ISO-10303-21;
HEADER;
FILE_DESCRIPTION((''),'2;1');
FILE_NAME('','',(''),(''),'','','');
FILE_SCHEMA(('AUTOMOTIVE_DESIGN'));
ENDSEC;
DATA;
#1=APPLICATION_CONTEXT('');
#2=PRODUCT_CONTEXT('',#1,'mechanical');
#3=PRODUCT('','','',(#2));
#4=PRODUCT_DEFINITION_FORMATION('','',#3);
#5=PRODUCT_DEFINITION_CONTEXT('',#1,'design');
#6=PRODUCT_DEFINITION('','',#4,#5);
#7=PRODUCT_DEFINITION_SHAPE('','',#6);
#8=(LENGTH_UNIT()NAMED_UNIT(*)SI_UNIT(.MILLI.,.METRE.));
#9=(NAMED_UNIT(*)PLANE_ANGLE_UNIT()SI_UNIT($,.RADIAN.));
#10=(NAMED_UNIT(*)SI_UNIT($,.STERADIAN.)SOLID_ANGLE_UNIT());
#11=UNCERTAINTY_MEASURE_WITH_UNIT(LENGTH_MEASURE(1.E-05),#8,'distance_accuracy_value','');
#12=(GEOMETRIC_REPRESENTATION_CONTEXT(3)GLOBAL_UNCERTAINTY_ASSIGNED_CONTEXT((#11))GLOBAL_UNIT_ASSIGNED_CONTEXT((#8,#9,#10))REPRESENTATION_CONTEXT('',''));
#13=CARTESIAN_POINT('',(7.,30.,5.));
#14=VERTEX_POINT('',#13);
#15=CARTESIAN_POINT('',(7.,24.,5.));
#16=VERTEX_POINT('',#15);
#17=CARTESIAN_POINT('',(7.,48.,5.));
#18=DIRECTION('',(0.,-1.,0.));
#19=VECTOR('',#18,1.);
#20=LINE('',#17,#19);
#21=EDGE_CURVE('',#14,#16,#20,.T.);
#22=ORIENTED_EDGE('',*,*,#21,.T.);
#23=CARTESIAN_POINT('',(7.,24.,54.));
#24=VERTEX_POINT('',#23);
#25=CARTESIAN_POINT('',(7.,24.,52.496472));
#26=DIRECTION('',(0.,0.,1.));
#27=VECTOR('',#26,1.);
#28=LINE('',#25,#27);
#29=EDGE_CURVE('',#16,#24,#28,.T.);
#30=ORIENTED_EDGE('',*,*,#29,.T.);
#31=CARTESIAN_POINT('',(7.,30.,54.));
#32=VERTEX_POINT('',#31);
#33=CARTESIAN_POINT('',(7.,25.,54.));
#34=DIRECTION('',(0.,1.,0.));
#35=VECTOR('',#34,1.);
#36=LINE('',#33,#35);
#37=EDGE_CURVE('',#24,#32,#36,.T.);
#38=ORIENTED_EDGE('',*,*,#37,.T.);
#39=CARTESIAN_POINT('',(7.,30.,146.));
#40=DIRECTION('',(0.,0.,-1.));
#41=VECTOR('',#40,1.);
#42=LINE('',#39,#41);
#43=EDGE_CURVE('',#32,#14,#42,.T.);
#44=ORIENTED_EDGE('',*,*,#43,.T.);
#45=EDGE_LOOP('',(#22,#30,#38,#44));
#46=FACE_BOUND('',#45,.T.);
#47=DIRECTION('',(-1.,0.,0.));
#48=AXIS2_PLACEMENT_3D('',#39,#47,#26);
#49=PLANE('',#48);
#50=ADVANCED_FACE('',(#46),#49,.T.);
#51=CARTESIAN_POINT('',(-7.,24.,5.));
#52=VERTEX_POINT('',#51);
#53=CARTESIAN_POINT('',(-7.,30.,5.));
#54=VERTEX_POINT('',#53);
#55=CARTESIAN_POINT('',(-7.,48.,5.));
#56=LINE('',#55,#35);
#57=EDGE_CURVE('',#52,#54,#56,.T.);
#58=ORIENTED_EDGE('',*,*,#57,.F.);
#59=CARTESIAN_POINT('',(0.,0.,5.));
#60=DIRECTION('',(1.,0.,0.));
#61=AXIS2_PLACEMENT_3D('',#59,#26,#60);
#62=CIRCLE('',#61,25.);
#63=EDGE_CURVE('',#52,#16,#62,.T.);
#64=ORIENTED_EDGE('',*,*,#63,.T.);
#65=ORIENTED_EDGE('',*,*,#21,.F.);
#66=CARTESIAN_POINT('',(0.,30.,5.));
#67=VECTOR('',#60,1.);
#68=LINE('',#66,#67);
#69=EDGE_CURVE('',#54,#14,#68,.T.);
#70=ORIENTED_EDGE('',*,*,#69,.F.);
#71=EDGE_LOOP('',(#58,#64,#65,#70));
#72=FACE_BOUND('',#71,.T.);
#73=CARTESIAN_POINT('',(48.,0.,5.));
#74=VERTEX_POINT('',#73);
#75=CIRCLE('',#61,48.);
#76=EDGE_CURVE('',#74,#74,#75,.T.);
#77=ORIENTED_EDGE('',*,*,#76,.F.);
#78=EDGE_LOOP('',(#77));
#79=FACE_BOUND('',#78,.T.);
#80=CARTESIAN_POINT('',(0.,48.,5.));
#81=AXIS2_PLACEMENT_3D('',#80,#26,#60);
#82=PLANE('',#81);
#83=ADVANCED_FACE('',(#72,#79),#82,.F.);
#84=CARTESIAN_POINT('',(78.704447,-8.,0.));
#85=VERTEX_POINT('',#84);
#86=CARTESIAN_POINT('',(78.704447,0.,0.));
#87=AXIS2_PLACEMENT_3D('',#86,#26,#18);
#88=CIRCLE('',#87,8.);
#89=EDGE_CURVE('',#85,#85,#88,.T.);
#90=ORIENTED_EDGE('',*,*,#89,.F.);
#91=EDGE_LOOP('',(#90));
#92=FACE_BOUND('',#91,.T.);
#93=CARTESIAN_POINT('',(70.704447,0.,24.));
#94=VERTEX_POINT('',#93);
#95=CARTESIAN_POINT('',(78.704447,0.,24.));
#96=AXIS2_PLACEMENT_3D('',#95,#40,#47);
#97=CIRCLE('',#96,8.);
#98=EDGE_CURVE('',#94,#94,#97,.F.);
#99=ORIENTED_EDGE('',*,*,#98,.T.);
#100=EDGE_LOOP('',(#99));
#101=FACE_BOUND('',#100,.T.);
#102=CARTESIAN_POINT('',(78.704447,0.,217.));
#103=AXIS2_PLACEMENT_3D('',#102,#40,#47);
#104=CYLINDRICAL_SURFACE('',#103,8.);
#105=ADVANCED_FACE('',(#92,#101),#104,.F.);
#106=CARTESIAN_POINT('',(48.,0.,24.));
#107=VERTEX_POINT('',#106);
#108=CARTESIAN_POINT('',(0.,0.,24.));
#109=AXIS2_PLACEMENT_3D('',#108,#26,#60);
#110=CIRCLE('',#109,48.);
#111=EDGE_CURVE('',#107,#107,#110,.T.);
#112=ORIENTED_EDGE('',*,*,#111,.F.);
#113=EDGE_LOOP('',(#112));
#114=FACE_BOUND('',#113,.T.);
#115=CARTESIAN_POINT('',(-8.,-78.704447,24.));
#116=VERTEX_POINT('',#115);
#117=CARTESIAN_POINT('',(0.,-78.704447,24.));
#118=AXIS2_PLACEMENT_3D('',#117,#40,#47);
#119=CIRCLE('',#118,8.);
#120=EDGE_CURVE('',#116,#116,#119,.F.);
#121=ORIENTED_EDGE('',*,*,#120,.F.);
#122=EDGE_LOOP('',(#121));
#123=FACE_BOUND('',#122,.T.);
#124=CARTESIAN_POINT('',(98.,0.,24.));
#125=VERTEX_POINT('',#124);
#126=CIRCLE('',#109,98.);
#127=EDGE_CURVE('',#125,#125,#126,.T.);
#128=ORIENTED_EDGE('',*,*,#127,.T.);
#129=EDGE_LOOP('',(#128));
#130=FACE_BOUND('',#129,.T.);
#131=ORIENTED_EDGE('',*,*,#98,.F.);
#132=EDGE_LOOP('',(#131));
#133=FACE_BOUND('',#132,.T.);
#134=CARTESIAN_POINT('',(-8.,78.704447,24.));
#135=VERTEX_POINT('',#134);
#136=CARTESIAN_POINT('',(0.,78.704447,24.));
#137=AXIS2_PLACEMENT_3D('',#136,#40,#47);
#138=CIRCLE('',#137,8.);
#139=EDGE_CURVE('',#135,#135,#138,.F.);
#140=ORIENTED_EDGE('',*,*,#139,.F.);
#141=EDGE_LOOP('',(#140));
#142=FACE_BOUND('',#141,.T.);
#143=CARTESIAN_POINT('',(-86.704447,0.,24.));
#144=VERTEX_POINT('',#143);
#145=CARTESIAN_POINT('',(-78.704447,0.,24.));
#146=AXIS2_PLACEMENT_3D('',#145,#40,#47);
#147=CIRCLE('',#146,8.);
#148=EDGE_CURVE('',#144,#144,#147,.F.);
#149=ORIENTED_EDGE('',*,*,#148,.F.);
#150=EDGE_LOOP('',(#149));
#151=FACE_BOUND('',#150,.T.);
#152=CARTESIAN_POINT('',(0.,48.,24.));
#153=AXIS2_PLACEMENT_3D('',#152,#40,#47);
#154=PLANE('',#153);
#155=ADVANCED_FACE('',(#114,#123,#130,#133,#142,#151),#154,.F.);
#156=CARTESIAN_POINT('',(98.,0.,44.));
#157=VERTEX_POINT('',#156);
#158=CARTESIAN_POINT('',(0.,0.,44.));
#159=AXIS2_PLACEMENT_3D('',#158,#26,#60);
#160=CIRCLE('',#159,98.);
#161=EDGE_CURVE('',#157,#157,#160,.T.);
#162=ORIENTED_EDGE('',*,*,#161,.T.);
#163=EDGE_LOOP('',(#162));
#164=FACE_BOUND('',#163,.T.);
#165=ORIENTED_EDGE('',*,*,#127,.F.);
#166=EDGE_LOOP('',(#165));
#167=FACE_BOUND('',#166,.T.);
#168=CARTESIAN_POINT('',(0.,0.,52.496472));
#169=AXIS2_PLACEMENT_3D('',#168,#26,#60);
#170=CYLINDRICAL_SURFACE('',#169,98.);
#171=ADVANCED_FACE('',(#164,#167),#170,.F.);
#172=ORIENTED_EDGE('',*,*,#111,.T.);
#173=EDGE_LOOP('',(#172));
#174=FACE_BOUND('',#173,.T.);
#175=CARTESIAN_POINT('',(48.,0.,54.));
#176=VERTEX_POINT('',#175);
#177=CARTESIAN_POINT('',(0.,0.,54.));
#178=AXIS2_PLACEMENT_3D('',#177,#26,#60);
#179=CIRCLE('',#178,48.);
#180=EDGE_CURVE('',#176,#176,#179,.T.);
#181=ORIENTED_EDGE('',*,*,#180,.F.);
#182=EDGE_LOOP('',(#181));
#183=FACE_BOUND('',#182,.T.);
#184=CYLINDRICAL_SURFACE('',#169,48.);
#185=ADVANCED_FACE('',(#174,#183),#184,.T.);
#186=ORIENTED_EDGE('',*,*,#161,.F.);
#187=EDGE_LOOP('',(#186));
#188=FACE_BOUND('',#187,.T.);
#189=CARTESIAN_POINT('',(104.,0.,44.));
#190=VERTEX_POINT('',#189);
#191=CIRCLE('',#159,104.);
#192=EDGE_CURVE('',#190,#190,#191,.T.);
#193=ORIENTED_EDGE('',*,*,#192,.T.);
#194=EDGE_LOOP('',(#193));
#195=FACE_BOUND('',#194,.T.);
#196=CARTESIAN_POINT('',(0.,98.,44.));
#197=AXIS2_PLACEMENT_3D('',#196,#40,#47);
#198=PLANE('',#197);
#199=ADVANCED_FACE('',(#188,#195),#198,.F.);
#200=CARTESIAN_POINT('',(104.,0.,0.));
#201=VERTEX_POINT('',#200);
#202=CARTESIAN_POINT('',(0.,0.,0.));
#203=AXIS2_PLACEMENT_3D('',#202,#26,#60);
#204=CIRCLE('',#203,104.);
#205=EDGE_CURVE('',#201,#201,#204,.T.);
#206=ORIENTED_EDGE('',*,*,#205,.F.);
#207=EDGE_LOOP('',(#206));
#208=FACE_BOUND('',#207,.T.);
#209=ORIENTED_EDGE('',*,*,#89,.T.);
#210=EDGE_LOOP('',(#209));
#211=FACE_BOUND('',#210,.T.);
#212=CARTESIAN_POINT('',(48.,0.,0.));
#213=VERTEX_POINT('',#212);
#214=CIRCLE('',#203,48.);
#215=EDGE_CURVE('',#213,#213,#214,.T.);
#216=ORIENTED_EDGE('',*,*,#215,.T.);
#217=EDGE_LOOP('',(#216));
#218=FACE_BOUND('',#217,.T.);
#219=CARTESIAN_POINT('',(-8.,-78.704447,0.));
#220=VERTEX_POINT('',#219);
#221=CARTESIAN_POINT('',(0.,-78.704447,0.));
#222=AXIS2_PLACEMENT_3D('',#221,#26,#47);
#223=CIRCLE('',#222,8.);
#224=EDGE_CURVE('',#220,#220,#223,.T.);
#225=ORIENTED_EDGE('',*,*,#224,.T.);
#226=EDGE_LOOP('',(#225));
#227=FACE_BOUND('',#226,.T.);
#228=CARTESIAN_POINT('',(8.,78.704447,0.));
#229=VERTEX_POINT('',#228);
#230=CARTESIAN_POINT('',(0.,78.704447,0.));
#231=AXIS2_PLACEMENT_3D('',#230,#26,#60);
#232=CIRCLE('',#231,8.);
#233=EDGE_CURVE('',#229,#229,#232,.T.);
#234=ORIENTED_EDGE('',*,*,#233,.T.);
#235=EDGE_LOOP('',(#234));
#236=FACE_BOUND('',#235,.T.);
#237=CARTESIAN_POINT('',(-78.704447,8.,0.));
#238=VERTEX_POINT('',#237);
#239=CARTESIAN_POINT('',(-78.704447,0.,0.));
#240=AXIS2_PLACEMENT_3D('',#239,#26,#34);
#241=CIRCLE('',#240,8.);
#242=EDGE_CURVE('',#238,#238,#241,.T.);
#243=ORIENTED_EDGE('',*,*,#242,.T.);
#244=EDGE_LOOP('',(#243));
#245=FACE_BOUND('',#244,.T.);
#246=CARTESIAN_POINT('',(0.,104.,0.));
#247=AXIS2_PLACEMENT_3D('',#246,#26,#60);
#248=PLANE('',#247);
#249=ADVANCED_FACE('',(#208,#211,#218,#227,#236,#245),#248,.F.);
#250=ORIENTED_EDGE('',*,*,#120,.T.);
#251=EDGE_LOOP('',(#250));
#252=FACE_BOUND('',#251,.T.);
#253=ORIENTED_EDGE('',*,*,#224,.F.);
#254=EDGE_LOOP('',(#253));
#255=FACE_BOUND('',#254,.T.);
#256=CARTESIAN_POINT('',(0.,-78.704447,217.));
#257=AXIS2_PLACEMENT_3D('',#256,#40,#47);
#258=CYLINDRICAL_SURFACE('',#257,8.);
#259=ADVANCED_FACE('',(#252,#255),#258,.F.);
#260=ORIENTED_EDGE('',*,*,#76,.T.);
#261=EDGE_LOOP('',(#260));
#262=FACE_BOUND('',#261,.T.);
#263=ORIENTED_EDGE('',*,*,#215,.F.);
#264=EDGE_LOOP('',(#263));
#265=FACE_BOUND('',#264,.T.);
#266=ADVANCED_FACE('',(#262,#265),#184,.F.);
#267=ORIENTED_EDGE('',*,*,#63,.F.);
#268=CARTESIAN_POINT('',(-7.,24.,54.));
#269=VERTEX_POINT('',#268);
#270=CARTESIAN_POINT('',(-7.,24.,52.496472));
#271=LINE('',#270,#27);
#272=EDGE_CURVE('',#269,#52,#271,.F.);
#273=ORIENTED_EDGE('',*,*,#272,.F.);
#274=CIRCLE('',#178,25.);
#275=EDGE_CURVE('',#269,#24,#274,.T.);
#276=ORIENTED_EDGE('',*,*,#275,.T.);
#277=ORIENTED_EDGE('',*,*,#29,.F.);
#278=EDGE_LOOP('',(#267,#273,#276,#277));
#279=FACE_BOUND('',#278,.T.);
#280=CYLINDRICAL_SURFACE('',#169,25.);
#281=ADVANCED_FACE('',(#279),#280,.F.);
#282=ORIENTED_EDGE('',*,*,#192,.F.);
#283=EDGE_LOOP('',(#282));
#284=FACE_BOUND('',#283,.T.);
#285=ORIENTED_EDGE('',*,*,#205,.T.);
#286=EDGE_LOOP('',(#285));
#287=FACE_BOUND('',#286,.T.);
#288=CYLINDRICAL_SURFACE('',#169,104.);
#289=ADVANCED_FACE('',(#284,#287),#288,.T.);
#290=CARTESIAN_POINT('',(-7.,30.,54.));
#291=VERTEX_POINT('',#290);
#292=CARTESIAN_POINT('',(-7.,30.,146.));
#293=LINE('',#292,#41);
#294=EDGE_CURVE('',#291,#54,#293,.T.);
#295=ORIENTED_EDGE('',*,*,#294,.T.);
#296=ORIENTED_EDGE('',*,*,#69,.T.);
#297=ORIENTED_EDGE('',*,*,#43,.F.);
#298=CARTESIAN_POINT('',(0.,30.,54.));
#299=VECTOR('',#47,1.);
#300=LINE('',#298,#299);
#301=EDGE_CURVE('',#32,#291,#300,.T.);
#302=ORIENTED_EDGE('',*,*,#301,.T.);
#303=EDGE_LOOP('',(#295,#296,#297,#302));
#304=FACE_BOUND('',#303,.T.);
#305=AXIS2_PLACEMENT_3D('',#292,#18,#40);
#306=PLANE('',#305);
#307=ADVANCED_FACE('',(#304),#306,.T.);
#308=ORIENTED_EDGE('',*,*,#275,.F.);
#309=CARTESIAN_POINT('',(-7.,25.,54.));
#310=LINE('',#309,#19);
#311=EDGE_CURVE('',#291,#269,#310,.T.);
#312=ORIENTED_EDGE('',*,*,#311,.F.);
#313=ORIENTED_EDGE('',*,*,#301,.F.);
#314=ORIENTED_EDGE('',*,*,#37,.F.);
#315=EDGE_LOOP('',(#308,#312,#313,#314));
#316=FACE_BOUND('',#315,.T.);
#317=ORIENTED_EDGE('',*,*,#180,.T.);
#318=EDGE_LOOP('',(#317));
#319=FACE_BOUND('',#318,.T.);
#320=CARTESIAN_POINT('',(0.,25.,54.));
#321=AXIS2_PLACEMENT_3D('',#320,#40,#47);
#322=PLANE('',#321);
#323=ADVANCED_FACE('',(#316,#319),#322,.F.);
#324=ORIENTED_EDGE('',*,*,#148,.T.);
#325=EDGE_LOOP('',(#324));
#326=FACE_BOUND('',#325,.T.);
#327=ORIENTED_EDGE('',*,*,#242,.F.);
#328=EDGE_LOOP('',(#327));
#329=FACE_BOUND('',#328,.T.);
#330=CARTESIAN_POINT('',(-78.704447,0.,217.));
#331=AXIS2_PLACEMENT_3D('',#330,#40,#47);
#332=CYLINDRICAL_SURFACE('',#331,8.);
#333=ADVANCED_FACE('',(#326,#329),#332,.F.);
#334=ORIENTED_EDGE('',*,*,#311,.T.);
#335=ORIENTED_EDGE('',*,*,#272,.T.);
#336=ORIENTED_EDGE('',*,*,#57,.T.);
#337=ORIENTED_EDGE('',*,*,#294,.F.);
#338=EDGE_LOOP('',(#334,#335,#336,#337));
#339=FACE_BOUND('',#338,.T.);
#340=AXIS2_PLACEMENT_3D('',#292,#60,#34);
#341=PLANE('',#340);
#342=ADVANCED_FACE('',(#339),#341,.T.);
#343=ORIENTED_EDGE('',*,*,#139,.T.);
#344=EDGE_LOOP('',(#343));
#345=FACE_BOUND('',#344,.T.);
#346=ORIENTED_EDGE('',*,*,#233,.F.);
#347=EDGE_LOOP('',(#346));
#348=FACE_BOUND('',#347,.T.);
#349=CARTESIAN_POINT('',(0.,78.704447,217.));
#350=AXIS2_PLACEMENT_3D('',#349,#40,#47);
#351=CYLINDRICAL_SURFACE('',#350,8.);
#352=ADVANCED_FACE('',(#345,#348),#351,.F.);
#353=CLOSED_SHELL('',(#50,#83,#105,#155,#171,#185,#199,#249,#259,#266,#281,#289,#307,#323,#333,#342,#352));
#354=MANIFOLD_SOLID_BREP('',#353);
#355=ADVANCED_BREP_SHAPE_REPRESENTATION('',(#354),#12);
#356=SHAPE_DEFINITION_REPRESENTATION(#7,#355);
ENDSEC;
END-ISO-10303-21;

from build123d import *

# Parameters (mm, degrees)
SKETCH2_W          = 14
SKETCH2_H          = 10
CUT_EXTRUDE1_DEPTH = 146
SKETCH3_R          = 8
CUT_EXTRUDE2_DEPTH = 217
CIRPATTERN1_COUNT  = 4


with BuildPart() as part:
    # Sketch1 → Revolve1 (revolve)
    with BuildSketch(Plane(origin=(0, 0, 0), x_dir=(0, 0, -1), z_dir=(1, 0, 0)), mode=Mode.PRIVATE) as revolve1_sk:
        Polygon((-44, 104), (0, 104), (0, 48), (-5, 48), (-5, 25), (-54, 25), (-54, 48), (-24, 48), (-24, 98), (-44, 98), align=None)
    revolve(revolve1_sk.sketch.rotate(Axis((0, 0, 52.496471852), (0, 0, -1)), 90), axis=Axis((0, 0, 52.496471852), (0, 0, -1)))

    # Sketch2 → Cut-Extrude1 (cut)
    with BuildSketch(Plane.XY):
        with Locations((0, 25)):
            Rectangle(SKETCH2_W, SKETCH2_H)
    extrude(amount=CUT_EXTRUDE1_DEPTH, mode=Mode.SUBTRACT)

    # Sketch3 → Cut-Extrude2 (cut)
    with BuildSketch(Plane.XY):
        with Locations(Location((0, 78.704447468, 0), (0, 0, 180))):
            Circle(SKETCH3_R)
    cut_extrude2 = extrude(amount=CUT_EXTRUDE2_DEPTH, mode=Mode.SUBTRACT)

    # CirPattern1: Cut-Extrude2 ×4 about axis
    cirpattern1_axis = Axis((0, 0, 0), (0, 0, 1))
    for i in range(1, CIRPATTERN1_COUNT):
        add(cut_extrude2.rotate(cirpattern1_axis, i * 360 / CIRPATTERN1_COUNT), mode=Mode.SUBTRACT)


solid = part.part
